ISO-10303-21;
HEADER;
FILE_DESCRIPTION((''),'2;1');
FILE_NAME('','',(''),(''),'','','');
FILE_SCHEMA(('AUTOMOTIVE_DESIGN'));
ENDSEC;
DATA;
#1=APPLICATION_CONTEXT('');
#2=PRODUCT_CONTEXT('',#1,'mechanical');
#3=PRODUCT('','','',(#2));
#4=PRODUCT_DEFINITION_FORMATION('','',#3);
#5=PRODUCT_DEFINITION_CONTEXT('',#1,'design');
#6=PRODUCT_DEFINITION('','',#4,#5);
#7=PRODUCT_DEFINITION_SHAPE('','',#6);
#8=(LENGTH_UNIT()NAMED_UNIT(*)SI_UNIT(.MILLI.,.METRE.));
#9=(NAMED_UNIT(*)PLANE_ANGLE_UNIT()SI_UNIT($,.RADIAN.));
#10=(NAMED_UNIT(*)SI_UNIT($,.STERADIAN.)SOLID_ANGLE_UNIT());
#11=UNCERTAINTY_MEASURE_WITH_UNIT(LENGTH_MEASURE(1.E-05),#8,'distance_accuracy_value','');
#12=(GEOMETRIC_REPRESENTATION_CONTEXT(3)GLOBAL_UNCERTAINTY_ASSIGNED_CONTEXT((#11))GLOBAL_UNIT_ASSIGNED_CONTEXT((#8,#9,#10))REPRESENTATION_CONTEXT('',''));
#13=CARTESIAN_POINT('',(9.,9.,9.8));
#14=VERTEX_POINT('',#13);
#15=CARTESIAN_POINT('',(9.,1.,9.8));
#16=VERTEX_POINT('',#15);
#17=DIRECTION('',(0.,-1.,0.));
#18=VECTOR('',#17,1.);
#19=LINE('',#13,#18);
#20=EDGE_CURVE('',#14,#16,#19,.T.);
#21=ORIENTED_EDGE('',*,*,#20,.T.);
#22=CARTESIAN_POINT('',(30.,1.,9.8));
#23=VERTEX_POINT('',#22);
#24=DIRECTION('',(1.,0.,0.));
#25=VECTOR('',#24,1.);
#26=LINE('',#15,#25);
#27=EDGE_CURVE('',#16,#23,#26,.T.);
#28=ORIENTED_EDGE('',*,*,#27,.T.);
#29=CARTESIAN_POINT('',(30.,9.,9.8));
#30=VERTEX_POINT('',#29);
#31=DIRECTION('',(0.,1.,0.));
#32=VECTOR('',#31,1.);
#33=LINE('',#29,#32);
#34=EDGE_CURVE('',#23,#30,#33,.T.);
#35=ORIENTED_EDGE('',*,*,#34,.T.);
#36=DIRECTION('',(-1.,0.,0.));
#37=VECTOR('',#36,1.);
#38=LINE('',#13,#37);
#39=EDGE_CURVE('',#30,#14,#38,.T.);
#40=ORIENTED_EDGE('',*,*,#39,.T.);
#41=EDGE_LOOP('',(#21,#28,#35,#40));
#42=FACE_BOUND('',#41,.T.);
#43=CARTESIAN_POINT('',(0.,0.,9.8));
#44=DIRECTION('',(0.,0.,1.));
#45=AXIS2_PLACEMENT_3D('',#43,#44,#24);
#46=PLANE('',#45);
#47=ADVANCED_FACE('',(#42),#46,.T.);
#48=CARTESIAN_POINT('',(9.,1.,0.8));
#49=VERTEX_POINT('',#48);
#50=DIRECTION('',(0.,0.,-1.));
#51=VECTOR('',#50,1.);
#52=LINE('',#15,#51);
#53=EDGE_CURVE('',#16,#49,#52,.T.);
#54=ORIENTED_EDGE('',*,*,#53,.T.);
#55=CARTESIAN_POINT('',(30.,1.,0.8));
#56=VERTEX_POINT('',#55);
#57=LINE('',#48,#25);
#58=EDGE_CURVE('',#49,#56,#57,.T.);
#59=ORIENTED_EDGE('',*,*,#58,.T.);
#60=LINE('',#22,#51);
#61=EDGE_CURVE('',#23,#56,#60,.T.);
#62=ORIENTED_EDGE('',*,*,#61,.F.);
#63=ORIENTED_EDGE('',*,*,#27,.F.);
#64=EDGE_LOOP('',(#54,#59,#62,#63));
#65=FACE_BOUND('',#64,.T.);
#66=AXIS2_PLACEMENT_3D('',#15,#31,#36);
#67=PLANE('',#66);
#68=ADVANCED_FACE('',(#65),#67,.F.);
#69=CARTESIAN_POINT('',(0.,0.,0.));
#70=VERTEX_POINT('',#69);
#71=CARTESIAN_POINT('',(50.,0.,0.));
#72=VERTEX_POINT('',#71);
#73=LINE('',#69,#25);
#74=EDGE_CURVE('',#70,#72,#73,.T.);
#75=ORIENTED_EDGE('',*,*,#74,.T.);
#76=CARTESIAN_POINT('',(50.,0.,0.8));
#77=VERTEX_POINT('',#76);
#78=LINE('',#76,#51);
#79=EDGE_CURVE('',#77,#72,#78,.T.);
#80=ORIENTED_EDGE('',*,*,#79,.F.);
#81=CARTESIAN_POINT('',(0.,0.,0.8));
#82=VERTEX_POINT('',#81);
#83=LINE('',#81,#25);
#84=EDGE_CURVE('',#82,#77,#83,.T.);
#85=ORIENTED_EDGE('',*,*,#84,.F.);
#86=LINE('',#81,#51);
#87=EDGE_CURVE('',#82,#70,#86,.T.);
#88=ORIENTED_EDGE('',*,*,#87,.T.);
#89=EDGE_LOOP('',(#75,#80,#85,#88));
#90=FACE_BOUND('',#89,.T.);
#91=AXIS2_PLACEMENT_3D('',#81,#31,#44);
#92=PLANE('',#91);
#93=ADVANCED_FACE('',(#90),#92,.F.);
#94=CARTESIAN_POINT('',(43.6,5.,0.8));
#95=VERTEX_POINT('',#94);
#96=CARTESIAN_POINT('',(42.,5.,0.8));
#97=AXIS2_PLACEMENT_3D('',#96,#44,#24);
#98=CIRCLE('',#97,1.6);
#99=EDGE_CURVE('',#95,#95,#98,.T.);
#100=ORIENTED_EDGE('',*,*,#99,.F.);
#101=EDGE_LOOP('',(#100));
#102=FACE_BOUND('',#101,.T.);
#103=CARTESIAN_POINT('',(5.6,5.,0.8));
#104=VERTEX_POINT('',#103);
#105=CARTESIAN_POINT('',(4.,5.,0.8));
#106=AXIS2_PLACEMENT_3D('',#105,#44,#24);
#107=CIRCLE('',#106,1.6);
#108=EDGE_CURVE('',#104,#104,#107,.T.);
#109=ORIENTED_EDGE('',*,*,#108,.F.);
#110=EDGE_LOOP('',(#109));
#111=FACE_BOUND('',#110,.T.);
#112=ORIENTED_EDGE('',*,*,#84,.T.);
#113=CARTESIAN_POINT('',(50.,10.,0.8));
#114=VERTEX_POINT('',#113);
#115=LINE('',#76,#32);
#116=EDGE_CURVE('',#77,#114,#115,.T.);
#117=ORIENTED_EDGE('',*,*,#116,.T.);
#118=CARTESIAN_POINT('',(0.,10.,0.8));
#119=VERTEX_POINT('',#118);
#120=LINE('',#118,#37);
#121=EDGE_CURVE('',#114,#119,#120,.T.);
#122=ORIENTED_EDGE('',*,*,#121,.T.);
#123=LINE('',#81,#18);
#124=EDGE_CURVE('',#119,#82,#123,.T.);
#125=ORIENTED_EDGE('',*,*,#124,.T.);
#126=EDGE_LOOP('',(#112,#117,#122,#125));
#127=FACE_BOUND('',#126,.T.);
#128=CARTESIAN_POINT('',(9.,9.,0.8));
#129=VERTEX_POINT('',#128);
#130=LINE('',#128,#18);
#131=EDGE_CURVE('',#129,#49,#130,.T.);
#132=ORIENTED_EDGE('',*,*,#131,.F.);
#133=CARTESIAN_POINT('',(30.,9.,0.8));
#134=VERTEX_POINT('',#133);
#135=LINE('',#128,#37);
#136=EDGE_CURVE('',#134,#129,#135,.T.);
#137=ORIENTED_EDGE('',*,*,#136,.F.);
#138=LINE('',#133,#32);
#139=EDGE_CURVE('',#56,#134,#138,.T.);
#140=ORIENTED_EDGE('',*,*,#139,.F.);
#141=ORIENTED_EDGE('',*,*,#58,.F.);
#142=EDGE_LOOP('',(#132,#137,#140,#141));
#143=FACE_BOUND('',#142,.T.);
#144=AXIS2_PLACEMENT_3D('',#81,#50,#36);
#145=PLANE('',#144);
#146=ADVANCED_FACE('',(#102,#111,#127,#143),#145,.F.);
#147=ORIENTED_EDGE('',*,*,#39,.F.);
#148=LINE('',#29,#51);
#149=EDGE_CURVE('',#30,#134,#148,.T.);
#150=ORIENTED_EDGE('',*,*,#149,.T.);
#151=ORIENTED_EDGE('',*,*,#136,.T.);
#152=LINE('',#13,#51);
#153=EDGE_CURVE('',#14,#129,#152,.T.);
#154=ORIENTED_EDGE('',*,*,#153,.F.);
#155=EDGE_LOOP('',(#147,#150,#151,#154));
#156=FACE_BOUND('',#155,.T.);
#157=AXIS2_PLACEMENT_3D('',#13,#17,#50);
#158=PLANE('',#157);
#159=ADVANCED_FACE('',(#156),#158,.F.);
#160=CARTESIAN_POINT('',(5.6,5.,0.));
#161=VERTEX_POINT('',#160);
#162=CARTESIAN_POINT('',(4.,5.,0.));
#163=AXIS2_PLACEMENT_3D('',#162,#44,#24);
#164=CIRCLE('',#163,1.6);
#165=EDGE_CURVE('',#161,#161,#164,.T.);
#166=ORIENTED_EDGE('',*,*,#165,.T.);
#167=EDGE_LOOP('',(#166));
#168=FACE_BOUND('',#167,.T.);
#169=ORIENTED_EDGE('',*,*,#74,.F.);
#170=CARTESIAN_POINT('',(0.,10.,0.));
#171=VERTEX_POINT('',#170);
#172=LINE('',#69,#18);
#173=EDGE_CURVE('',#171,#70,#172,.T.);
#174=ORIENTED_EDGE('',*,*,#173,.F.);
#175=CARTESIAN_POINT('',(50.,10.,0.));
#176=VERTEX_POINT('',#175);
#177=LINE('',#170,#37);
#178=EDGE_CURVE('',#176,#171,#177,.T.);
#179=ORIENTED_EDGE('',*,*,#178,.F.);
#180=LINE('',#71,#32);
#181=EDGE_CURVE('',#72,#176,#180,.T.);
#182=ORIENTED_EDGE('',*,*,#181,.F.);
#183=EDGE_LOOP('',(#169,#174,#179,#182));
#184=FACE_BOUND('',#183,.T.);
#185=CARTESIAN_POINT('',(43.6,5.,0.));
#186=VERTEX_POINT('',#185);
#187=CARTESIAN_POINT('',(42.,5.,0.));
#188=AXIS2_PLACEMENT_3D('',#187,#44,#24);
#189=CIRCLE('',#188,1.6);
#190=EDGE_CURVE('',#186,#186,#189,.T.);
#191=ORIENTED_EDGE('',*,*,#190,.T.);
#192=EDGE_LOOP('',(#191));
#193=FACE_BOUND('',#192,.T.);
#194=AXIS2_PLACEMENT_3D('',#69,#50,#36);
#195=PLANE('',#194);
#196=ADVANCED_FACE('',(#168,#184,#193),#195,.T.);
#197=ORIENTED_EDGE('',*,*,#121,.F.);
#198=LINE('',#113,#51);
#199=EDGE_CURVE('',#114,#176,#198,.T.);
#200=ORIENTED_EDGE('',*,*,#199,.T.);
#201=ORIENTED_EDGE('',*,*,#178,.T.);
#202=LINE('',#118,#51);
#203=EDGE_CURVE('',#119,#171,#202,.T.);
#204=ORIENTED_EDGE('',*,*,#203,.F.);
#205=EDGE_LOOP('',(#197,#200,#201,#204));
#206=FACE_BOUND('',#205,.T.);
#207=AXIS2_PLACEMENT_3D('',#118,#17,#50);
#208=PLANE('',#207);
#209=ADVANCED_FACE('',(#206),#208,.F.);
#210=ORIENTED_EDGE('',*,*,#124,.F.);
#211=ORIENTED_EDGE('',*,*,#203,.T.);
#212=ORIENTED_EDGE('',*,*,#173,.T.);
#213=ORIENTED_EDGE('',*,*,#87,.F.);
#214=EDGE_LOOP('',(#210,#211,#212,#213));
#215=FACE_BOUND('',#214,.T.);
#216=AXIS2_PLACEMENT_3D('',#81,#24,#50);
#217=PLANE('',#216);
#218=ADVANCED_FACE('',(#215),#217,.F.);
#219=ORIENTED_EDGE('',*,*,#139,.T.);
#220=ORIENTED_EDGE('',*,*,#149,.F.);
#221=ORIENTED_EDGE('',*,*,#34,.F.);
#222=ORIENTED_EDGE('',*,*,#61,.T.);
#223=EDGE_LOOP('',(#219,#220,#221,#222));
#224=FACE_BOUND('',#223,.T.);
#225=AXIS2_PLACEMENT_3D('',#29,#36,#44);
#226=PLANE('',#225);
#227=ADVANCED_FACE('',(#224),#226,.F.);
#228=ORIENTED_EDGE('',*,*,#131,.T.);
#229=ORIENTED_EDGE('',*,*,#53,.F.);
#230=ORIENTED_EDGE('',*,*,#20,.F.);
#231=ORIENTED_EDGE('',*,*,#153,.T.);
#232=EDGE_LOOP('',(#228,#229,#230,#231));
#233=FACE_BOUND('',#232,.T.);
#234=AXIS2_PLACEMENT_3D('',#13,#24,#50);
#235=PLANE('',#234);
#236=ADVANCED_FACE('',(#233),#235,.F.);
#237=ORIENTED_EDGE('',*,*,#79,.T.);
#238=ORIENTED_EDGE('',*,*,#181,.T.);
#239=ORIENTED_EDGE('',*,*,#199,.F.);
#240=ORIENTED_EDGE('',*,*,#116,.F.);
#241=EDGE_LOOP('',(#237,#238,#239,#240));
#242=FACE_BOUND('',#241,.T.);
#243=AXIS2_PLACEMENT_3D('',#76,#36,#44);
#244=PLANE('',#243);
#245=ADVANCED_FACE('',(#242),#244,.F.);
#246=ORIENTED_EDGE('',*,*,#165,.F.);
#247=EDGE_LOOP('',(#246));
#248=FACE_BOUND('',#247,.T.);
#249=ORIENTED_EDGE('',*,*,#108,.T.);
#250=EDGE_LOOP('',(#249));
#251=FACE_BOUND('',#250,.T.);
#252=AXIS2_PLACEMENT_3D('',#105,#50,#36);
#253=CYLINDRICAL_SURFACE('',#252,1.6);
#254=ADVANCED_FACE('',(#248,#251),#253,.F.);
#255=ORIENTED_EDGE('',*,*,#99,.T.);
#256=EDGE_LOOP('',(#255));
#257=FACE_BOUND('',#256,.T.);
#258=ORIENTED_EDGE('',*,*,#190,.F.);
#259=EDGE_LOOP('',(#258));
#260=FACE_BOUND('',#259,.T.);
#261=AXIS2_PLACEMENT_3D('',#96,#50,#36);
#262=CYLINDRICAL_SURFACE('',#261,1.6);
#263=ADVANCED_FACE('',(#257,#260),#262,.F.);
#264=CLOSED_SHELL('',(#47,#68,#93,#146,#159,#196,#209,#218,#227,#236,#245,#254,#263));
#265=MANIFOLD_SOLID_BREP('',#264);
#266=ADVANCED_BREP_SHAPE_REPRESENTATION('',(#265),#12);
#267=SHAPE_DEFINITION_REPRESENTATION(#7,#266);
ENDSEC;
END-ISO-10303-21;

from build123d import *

# Parameters (mm, degrees)
SKETCH1_W           = 50
SKETCH1_H           = 10
SKETCH1_R           = 1.6
BOSS_EXTRUDE1_DEPTH = 0.8
SKETCH2_W           = 21
SKETCH2_H           = 8
BOSS_EXTRUDE2_DEPTH = 9


with BuildPart() as part:
    # Sketch1 → Boss-Extrude1 (new body)
    with BuildSketch(Plane.XY):
        with Locations((25, 5)):
            Rectangle(SKETCH1_W, SKETCH1_H)
        with Locations((4, 5)):
            Circle(SKETCH1_R, mode=Mode.SUBTRACT)
        with Locations((42, 5)):
            Circle(SKETCH1_R, mode=Mode.SUBTRACT)
    extrude(amount=BOSS_EXTRUDE1_DEPTH)

    # Sketch2 → Boss-Extrude2 (add)
    with BuildSketch(Plane.XY.offset(0.8)):
        with Locations((19.5, 5)):
            Rectangle(SKETCH2_W, SKETCH2_H)
    extrude(amount=BOSS_EXTRUDE2_DEPTH)


solid = part.part
